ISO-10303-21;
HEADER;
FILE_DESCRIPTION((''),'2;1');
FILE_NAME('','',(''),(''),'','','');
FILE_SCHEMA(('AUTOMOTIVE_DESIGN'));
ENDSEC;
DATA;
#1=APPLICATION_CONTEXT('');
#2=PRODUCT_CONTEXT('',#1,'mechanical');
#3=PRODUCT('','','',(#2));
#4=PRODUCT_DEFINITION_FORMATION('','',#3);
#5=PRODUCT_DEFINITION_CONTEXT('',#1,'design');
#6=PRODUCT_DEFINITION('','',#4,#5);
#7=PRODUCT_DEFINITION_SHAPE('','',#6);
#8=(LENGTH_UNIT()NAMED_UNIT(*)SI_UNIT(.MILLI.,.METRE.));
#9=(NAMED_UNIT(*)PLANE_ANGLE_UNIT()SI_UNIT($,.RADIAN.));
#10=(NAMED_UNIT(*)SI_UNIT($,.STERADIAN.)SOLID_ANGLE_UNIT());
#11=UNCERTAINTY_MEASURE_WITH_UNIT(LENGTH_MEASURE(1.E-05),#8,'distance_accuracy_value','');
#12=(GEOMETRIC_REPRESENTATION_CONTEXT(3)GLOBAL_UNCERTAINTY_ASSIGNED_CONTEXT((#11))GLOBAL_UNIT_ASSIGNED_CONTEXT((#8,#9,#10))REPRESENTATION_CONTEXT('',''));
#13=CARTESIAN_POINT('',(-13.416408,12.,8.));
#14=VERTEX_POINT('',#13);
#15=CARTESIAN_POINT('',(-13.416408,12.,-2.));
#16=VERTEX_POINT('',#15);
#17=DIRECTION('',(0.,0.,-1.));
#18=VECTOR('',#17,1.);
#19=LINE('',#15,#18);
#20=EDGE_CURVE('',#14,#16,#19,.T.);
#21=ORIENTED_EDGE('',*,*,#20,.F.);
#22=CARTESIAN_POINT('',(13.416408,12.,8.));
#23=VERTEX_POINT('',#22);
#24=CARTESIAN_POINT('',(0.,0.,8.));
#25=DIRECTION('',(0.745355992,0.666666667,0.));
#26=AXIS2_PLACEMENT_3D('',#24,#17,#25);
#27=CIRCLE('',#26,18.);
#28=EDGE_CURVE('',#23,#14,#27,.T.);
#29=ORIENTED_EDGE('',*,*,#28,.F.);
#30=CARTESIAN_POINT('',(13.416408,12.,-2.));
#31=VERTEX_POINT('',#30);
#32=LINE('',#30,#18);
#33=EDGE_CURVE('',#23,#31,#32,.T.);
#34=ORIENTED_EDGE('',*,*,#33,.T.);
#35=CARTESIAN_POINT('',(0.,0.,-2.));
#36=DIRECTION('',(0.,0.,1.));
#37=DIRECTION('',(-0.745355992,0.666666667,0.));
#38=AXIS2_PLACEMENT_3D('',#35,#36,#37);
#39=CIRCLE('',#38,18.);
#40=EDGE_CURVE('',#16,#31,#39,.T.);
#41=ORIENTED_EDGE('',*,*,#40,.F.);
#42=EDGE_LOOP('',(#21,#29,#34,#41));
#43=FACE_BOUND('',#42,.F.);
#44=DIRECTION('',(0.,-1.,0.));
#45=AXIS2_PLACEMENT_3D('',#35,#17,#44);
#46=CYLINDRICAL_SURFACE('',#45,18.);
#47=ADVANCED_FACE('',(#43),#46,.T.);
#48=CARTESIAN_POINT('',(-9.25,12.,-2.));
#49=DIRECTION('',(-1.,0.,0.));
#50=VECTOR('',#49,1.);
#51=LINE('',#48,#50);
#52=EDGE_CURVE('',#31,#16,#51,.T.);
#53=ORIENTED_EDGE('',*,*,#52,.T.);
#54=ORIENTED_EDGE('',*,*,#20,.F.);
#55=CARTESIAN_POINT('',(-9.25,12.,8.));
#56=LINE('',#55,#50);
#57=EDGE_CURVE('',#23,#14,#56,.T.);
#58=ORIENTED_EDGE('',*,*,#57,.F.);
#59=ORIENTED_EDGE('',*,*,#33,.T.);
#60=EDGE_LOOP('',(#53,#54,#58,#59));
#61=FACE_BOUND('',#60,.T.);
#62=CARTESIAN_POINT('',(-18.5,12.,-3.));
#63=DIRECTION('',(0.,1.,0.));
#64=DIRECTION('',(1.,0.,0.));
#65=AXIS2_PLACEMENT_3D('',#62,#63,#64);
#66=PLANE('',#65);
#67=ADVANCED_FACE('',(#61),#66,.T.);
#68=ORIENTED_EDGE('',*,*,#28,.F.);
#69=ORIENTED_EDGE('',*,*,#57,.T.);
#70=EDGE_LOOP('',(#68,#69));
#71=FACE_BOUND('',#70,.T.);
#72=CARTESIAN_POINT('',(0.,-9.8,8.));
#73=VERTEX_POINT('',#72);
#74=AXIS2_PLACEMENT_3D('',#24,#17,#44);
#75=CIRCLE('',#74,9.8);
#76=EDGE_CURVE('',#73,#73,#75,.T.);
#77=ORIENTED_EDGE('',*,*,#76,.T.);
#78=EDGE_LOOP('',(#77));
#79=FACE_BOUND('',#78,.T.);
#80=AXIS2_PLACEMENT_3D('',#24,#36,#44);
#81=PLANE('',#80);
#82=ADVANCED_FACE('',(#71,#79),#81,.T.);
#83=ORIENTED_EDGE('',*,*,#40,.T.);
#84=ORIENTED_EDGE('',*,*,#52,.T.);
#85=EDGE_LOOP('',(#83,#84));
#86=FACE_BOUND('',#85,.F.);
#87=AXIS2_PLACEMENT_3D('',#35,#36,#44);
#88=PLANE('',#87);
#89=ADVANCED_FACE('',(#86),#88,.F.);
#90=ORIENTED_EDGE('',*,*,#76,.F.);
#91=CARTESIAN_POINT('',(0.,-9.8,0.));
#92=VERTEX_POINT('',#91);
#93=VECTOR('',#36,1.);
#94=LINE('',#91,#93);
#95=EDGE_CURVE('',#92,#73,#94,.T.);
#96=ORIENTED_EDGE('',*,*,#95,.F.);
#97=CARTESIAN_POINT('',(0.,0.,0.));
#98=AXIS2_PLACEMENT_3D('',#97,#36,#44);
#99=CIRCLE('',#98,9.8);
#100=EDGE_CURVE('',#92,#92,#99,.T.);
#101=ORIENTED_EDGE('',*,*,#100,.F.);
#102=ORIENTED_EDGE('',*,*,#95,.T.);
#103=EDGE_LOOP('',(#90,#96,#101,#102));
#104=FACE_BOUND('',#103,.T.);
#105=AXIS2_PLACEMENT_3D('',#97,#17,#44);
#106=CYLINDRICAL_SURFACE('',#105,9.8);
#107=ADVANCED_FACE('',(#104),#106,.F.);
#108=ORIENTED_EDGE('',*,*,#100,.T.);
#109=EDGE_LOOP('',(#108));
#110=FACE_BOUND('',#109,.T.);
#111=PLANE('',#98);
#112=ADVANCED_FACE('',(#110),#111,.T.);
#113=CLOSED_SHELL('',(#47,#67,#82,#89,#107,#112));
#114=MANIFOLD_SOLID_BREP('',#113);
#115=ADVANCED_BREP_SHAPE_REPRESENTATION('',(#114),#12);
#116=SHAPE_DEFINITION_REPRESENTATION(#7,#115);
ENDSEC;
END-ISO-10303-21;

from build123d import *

# Parameters (mm, degrees)
BOX002_W               = 10
BOX002_H               = 35
BOX002_DEPTH           = 15
CYLINDER015_R          = 9.8
CYLINDER015_DEPTH      = 110
CYLINDER014_R          = 18
CYLINDER014_DEPTH      = 10
CUT003_PLACEMENT_ANGLE = 90


with BuildPart() as cube002:
    # Box002 → Box002 (new body)
    with BuildSketch(Plane(origin=(-22, -18.5, -3), x_dir=(1, 0, 0), z_dir=(0, 0, 1))):
        with Locations((5, 17.5)):
            Rectangle(BOX002_W, BOX002_H)
    extrude(amount=BOX002_DEPTH)


with BuildPart() as main_axis002:
    # Cylinder015 → Cylinder015 (new body)
    with BuildSketch(Plane.XY):
        Circle(CYLINDER015_R)
    extrude(amount=CYLINDER015_DEPTH)


with BuildPart() as main_axis_holder:
    # Cylinder014 → Cylinder014 (new body)
    with BuildSketch(Plane.XY.offset(-2)):
        Circle(CYLINDER014_R)
    extrude(amount=CYLINDER014_DEPTH)

    # Cut002: cut main_axis002
    add(main_axis002.part, mode=Mode.SUBTRACT)

    # Cut003: cut Cube002
    add(cube002.part, mode=Mode.SUBTRACT)


with BuildPart() as main_axis_holder_1:
    # Cut003 placement: moved
    add(main_axis_holder.part.rotate(Axis((0, 0, 0), (0, 0, -1)), CUT003_PLACEMENT_ANGLE))


solid = main_axis_holder_1.part
